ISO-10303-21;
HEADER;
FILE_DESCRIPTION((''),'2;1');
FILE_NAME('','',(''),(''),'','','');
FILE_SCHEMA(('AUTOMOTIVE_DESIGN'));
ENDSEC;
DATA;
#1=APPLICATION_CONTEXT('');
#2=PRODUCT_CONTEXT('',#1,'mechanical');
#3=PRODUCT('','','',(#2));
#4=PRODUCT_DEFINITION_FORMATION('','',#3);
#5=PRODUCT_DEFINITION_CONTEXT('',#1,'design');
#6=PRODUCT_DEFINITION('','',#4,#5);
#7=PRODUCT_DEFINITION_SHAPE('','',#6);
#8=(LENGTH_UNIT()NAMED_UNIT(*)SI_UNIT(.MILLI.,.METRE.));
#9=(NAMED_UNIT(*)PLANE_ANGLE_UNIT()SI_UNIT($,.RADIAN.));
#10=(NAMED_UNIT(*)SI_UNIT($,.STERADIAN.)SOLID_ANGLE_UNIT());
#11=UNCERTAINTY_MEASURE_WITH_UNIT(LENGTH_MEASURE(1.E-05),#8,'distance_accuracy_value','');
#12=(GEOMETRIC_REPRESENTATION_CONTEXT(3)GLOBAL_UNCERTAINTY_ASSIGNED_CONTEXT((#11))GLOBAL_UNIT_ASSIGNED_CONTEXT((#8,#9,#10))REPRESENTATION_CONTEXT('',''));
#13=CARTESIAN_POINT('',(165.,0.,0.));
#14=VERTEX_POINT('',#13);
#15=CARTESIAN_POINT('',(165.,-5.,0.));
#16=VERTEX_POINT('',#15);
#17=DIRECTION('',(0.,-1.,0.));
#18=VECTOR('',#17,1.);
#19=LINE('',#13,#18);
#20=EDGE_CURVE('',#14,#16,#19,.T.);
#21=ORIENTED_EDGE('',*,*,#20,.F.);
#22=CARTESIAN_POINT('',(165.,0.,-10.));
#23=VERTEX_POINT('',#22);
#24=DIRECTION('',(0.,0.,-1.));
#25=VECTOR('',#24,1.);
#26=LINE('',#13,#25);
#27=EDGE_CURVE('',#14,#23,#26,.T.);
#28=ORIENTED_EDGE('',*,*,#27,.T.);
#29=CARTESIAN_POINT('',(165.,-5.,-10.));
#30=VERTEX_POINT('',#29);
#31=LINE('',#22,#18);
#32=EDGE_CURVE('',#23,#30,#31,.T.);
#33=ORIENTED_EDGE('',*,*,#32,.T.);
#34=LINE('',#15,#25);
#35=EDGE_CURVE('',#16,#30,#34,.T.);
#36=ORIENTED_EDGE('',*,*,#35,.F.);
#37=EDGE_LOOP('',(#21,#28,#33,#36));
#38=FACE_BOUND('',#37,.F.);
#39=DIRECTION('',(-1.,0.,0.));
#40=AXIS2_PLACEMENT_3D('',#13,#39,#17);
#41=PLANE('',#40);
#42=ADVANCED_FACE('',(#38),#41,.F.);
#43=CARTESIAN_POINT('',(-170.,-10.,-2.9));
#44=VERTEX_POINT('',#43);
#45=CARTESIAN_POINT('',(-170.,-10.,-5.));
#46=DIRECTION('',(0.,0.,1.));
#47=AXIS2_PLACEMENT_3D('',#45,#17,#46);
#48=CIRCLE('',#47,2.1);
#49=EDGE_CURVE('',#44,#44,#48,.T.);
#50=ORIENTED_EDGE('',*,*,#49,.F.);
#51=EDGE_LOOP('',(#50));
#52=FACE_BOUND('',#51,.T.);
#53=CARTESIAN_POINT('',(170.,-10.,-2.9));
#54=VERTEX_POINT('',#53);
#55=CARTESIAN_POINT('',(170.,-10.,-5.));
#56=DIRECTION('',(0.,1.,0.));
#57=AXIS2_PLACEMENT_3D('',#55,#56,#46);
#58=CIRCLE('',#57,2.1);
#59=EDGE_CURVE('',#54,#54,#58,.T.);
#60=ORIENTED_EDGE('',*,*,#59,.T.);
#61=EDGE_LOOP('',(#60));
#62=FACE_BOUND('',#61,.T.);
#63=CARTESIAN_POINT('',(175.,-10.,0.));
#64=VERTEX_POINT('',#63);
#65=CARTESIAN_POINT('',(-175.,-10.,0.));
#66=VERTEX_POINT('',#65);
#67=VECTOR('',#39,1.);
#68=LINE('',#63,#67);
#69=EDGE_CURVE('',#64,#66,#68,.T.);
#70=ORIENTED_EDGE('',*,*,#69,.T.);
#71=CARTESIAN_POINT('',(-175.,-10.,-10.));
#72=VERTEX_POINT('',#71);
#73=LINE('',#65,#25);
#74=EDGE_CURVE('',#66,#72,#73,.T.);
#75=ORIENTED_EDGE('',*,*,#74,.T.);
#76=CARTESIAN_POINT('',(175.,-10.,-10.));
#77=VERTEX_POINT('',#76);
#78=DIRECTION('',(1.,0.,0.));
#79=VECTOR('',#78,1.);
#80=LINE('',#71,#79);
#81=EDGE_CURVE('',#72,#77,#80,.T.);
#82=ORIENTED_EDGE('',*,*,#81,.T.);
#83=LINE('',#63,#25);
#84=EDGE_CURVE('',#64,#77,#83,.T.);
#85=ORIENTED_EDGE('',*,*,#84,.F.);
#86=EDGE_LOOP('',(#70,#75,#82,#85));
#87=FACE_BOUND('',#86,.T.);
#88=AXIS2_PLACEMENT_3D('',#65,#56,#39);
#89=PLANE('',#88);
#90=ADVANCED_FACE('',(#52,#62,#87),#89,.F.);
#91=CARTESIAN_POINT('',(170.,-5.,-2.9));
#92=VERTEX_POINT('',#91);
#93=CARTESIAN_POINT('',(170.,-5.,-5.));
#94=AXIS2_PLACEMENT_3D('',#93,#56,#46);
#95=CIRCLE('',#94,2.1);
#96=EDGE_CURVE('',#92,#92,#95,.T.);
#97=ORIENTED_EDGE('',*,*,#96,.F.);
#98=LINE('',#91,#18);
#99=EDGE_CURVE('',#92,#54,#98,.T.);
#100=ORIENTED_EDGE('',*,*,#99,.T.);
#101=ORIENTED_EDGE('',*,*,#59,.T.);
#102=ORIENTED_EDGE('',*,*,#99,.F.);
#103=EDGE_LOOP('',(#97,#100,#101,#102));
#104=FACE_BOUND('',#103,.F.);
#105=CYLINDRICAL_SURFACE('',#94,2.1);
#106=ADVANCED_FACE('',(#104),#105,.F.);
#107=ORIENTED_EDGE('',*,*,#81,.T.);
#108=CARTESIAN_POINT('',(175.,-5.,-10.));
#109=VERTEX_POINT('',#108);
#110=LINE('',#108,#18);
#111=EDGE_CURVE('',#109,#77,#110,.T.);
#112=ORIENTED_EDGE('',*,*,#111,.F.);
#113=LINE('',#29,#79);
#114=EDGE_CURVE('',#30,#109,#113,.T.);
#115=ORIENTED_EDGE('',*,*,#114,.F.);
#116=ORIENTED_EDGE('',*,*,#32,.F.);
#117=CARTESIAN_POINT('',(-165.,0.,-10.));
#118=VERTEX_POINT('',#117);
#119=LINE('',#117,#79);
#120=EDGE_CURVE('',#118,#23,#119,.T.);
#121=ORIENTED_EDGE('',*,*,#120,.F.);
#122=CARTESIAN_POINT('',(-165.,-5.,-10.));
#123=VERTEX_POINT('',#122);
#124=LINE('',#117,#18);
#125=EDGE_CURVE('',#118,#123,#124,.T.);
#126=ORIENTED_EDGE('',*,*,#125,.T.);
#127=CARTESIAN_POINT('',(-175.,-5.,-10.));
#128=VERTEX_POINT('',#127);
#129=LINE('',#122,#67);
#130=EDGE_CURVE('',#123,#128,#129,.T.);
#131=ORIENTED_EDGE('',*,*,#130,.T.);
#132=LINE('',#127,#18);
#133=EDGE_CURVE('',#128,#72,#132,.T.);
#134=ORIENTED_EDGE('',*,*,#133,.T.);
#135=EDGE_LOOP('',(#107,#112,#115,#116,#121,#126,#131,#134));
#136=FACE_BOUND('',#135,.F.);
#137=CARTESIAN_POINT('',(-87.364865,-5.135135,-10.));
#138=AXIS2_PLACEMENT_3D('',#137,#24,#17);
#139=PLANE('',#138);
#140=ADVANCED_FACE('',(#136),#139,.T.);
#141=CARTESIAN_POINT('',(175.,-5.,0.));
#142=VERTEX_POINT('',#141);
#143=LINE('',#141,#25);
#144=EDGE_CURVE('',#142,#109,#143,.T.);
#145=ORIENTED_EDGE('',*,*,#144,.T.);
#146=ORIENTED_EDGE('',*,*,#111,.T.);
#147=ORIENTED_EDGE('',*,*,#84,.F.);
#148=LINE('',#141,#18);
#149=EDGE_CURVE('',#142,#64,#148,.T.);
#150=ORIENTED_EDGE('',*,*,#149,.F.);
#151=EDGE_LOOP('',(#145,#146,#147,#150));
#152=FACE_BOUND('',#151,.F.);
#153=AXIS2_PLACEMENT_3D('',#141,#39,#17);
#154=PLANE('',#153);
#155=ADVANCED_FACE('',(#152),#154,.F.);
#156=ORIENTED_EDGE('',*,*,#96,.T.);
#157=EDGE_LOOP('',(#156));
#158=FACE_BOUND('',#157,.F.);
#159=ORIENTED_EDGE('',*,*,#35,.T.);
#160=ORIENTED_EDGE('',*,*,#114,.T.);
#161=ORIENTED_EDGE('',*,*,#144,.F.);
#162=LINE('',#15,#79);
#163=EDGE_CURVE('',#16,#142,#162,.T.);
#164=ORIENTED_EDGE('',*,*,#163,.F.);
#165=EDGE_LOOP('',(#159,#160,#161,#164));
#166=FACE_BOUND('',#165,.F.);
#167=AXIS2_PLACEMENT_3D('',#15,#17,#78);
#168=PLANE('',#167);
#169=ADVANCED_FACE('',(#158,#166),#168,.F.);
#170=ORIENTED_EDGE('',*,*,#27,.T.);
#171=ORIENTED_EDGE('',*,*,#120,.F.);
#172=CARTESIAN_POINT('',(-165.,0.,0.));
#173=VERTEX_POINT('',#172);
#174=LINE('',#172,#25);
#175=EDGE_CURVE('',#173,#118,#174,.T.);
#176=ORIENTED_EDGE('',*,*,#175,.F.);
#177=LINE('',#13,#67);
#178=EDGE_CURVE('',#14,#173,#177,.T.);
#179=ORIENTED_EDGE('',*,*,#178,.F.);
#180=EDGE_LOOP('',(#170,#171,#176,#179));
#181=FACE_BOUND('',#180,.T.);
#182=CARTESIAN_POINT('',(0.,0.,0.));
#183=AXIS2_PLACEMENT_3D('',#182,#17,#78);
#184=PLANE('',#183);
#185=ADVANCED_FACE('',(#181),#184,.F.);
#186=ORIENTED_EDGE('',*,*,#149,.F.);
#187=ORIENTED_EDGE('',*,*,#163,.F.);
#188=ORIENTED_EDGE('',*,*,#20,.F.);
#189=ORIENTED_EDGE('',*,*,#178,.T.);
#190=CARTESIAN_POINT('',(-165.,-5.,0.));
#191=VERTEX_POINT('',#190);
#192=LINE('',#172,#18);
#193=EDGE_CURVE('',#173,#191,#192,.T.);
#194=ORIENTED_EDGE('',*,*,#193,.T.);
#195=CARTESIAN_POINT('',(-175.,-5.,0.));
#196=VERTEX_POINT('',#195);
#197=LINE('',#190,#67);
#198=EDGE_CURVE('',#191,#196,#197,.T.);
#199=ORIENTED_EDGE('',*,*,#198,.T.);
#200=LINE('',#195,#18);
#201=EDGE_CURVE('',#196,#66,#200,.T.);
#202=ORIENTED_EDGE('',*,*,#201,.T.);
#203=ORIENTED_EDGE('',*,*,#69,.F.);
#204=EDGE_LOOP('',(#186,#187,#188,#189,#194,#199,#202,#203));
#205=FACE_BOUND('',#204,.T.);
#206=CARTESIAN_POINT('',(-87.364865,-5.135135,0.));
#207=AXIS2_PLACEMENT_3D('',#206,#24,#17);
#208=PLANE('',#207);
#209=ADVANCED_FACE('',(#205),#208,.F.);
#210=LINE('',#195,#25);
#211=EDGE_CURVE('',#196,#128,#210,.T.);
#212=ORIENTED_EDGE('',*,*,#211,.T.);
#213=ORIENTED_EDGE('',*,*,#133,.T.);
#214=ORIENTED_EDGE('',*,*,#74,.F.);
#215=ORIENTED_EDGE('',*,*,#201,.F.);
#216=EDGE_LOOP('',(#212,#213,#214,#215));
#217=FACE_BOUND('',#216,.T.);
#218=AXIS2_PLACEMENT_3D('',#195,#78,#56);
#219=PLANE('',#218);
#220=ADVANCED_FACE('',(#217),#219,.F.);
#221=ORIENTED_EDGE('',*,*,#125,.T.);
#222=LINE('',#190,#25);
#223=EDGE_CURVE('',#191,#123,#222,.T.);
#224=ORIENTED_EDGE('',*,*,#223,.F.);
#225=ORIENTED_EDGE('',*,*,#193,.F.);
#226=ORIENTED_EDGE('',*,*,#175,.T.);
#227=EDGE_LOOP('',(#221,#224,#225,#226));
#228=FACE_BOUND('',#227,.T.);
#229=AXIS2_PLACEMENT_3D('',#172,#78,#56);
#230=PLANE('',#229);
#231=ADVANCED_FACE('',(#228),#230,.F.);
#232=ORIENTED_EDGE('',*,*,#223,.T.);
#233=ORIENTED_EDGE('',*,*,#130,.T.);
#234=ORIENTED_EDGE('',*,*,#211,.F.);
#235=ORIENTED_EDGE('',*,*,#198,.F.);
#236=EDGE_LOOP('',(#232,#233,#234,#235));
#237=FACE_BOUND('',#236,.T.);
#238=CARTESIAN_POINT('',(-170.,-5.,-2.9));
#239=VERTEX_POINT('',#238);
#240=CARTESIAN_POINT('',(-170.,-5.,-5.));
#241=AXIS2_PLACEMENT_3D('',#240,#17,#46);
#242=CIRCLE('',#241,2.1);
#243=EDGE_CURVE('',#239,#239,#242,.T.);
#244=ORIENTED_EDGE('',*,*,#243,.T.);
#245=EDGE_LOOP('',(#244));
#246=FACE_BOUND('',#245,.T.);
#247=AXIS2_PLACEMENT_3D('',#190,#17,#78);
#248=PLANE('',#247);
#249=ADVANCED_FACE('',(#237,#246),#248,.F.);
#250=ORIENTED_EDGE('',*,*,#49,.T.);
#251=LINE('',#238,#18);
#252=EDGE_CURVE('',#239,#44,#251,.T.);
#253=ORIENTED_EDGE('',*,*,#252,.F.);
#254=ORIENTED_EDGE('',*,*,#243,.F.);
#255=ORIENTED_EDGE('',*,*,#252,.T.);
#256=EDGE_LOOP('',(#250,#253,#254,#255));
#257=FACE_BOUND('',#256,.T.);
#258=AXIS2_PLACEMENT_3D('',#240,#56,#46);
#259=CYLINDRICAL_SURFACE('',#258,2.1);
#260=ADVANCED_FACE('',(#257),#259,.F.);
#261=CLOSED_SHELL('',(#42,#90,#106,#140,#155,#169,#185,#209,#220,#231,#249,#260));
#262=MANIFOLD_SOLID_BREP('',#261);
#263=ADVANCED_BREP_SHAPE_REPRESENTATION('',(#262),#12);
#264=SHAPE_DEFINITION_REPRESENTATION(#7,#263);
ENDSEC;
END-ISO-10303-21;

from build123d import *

# Parameters (mm, degrees)
F1_DEPTH = 10
F2_R     = 2.1
F3_DEPTH = 5.001
F5_ANGLE = 90


with BuildPart() as f1:
    # F0 (on Right) → F1 (new body)
    with BuildSketch(Plane.YZ):
        Polygon((-10, 0), (0, 0), (0, 165), (-5, 165), (-5, 175), (-10, 175), align=None)
    extrude(amount=F1_DEPTH)

    # F2 (on face) → F3 (cut, through all)
    with BuildSketch(Plane(origin=(0, -5, 0), x_dir=(-1, 0, 0), z_dir=(0, 1, 0))):
        with Locations((-5, 170)):
            Circle(F2_R)
    extrude(amount=-F3_DEPTH, mode=Mode.SUBTRACT)

    # F4: F1 across plane


with BuildPart() as f1_1:
    add(f1.part)
    add(f1.part.mirror(Plane.XY))


with BuildPart() as f1_2:
    # F5: moved
    add(f1_1.part.rotate(Axis((0, -5, 0), (0, 1, 0)), F5_ANGLE))


solid = f1_2.part
